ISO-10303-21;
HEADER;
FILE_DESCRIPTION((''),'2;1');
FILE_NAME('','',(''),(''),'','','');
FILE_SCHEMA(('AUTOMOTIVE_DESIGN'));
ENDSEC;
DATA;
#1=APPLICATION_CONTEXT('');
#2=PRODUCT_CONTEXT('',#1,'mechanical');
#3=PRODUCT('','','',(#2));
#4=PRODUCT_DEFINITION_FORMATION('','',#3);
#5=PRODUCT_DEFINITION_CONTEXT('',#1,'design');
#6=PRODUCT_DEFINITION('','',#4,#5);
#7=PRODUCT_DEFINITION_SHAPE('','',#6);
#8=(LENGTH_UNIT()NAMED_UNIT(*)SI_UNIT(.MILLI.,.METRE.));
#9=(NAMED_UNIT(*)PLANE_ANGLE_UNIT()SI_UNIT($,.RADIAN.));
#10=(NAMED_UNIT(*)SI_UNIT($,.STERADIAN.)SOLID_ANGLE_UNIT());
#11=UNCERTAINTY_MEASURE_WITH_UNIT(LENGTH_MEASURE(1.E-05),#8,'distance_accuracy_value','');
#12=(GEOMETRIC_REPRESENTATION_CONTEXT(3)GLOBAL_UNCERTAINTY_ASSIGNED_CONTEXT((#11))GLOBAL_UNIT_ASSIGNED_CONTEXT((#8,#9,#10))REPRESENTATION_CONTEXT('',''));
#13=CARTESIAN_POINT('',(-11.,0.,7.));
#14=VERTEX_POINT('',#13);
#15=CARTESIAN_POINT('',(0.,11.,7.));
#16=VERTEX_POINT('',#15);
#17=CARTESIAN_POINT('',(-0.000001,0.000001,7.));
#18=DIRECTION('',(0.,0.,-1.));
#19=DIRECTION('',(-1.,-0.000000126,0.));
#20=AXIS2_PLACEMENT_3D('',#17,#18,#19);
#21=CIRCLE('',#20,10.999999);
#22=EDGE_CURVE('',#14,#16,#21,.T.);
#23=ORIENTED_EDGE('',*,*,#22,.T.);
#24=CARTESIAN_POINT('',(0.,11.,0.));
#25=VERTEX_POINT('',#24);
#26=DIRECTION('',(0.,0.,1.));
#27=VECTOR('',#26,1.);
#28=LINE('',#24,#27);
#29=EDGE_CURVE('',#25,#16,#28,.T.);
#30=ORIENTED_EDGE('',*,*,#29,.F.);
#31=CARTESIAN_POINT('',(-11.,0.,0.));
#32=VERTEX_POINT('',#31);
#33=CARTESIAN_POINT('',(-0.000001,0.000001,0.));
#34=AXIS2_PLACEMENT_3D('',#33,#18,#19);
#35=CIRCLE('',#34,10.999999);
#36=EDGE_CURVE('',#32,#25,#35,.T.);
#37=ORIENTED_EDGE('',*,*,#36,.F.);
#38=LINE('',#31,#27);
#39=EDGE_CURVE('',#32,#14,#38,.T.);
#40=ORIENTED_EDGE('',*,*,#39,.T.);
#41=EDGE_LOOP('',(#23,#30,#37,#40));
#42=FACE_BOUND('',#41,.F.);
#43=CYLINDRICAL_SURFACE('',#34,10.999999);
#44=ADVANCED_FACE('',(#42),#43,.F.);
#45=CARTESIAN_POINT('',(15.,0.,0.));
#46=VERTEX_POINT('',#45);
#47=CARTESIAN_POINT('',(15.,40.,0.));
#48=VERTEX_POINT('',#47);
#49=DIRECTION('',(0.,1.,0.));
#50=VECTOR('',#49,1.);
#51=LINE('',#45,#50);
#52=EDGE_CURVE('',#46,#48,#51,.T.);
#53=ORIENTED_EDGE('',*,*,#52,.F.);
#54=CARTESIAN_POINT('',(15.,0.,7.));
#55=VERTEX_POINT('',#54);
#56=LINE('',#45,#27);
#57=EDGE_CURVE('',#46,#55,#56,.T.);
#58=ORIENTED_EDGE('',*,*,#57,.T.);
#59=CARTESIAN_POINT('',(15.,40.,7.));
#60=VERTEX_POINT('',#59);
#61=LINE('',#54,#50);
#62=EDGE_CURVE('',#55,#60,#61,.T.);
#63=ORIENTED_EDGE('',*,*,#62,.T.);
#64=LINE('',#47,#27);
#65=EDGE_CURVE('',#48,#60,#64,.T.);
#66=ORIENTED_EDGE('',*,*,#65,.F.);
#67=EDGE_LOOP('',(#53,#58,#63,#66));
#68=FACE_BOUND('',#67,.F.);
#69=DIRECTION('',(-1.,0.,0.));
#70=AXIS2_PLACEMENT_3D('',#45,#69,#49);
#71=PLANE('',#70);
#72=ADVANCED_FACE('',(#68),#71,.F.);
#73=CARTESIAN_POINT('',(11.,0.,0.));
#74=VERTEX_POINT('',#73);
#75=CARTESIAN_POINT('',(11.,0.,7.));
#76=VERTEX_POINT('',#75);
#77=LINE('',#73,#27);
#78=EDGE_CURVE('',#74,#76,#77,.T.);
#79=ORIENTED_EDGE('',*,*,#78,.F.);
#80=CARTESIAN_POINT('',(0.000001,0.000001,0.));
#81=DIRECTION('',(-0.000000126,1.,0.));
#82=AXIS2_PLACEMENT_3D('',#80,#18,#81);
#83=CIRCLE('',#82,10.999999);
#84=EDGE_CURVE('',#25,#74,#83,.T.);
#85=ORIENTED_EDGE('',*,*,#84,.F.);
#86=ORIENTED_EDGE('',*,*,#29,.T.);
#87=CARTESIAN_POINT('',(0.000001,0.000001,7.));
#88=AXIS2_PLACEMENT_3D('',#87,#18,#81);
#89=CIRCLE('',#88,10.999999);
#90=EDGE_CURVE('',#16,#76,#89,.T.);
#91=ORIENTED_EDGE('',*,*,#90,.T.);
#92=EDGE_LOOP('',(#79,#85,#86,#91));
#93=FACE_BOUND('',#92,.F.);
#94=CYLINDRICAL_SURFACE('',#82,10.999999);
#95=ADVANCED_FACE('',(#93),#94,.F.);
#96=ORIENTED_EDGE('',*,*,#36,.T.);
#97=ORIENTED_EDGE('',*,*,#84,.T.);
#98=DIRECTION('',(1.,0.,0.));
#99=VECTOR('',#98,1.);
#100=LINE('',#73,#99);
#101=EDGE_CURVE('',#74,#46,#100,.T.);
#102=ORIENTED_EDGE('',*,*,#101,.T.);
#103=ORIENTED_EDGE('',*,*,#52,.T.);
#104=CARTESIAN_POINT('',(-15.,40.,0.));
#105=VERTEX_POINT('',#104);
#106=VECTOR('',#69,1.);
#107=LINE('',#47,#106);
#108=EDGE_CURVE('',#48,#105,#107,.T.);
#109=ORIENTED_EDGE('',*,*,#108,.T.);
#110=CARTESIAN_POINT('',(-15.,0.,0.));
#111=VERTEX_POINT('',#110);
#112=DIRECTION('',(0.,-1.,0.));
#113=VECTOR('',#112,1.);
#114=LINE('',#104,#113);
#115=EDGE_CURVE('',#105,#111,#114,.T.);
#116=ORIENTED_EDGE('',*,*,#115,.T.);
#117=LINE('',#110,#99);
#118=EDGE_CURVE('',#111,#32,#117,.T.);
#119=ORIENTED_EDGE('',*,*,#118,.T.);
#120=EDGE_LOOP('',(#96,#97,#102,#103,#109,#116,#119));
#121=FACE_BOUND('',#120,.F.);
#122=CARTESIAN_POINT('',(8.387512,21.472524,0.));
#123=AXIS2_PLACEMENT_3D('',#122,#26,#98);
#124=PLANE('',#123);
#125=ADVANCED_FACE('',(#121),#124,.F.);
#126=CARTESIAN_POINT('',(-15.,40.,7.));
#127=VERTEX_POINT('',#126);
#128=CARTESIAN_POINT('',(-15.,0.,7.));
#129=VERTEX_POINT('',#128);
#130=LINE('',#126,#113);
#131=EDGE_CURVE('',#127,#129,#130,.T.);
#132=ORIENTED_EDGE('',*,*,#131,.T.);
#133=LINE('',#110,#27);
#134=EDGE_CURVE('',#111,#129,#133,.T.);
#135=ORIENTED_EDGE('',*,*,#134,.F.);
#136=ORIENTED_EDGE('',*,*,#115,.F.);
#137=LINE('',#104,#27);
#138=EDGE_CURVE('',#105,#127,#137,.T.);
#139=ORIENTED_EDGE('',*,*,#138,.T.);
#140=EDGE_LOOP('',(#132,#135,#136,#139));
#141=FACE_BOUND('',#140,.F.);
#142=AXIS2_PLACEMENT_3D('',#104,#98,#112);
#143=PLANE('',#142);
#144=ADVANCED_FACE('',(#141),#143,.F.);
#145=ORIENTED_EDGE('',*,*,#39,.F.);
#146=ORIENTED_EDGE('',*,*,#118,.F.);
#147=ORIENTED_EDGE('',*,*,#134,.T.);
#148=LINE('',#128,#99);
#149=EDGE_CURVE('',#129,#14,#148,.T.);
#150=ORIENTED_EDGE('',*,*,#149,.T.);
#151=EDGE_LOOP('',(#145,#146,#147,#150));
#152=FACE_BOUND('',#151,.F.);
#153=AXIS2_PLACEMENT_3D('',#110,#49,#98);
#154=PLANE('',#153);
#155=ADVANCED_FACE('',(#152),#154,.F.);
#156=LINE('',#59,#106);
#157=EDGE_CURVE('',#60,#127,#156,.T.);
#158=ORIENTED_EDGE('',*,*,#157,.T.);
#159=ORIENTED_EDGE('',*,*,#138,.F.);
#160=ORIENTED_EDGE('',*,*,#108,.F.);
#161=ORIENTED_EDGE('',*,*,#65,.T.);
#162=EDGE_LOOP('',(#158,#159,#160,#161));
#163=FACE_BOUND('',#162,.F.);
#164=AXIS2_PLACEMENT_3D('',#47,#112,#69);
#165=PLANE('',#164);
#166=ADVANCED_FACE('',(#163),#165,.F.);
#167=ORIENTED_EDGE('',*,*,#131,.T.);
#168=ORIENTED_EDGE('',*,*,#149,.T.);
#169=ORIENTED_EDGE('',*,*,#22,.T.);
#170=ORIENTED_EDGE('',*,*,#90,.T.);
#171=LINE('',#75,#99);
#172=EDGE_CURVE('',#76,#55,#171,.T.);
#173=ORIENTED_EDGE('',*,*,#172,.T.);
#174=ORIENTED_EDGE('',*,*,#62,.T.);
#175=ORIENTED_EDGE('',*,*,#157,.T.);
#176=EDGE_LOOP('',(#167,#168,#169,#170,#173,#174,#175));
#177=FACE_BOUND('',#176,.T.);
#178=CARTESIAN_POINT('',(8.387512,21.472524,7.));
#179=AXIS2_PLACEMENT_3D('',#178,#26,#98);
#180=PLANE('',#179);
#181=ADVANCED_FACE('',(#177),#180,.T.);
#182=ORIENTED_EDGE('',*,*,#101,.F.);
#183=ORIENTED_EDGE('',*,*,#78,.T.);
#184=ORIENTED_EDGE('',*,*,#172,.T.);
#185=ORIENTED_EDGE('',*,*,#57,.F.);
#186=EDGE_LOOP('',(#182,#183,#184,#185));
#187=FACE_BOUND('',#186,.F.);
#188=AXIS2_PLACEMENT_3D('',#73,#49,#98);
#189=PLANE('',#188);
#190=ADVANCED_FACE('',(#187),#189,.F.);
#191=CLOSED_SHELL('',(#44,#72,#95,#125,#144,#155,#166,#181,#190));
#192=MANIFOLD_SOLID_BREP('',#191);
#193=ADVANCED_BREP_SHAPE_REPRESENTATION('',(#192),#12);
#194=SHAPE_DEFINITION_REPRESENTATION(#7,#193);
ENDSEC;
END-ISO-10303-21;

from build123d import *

# Parameters (mm, degrees)
F1_DEPTH = 7


with BuildPart() as f1:
    # F0 (on Top) → F1 (new body)
    with BuildSketch(Plane.XY):
        with BuildLine():
            ThreePointArc((0, 11), (7.778175, 7.778175), (11, 0))
            Line((11, 0), (15, 0))
            Line((15, 0), (15, 40))
            Line((15, 40), (7.318549, 40))
            Line((7.318549, 40), (0, 40))
            Line((0, 40), (0, 11))
        make_face()
        with BuildLine():
            ThreePointArc((-11, 0), (-7.778175, 7.778175), (0, 11))
            Line((0, 11), (0, 40))
            Line((0, 40), (-15, 40))
            Line((-15, 40), (-15, 0))
            Line((-15, 0), (-11, 0))
        make_face()
    extrude(amount=F1_DEPTH)


solid = f1.part
